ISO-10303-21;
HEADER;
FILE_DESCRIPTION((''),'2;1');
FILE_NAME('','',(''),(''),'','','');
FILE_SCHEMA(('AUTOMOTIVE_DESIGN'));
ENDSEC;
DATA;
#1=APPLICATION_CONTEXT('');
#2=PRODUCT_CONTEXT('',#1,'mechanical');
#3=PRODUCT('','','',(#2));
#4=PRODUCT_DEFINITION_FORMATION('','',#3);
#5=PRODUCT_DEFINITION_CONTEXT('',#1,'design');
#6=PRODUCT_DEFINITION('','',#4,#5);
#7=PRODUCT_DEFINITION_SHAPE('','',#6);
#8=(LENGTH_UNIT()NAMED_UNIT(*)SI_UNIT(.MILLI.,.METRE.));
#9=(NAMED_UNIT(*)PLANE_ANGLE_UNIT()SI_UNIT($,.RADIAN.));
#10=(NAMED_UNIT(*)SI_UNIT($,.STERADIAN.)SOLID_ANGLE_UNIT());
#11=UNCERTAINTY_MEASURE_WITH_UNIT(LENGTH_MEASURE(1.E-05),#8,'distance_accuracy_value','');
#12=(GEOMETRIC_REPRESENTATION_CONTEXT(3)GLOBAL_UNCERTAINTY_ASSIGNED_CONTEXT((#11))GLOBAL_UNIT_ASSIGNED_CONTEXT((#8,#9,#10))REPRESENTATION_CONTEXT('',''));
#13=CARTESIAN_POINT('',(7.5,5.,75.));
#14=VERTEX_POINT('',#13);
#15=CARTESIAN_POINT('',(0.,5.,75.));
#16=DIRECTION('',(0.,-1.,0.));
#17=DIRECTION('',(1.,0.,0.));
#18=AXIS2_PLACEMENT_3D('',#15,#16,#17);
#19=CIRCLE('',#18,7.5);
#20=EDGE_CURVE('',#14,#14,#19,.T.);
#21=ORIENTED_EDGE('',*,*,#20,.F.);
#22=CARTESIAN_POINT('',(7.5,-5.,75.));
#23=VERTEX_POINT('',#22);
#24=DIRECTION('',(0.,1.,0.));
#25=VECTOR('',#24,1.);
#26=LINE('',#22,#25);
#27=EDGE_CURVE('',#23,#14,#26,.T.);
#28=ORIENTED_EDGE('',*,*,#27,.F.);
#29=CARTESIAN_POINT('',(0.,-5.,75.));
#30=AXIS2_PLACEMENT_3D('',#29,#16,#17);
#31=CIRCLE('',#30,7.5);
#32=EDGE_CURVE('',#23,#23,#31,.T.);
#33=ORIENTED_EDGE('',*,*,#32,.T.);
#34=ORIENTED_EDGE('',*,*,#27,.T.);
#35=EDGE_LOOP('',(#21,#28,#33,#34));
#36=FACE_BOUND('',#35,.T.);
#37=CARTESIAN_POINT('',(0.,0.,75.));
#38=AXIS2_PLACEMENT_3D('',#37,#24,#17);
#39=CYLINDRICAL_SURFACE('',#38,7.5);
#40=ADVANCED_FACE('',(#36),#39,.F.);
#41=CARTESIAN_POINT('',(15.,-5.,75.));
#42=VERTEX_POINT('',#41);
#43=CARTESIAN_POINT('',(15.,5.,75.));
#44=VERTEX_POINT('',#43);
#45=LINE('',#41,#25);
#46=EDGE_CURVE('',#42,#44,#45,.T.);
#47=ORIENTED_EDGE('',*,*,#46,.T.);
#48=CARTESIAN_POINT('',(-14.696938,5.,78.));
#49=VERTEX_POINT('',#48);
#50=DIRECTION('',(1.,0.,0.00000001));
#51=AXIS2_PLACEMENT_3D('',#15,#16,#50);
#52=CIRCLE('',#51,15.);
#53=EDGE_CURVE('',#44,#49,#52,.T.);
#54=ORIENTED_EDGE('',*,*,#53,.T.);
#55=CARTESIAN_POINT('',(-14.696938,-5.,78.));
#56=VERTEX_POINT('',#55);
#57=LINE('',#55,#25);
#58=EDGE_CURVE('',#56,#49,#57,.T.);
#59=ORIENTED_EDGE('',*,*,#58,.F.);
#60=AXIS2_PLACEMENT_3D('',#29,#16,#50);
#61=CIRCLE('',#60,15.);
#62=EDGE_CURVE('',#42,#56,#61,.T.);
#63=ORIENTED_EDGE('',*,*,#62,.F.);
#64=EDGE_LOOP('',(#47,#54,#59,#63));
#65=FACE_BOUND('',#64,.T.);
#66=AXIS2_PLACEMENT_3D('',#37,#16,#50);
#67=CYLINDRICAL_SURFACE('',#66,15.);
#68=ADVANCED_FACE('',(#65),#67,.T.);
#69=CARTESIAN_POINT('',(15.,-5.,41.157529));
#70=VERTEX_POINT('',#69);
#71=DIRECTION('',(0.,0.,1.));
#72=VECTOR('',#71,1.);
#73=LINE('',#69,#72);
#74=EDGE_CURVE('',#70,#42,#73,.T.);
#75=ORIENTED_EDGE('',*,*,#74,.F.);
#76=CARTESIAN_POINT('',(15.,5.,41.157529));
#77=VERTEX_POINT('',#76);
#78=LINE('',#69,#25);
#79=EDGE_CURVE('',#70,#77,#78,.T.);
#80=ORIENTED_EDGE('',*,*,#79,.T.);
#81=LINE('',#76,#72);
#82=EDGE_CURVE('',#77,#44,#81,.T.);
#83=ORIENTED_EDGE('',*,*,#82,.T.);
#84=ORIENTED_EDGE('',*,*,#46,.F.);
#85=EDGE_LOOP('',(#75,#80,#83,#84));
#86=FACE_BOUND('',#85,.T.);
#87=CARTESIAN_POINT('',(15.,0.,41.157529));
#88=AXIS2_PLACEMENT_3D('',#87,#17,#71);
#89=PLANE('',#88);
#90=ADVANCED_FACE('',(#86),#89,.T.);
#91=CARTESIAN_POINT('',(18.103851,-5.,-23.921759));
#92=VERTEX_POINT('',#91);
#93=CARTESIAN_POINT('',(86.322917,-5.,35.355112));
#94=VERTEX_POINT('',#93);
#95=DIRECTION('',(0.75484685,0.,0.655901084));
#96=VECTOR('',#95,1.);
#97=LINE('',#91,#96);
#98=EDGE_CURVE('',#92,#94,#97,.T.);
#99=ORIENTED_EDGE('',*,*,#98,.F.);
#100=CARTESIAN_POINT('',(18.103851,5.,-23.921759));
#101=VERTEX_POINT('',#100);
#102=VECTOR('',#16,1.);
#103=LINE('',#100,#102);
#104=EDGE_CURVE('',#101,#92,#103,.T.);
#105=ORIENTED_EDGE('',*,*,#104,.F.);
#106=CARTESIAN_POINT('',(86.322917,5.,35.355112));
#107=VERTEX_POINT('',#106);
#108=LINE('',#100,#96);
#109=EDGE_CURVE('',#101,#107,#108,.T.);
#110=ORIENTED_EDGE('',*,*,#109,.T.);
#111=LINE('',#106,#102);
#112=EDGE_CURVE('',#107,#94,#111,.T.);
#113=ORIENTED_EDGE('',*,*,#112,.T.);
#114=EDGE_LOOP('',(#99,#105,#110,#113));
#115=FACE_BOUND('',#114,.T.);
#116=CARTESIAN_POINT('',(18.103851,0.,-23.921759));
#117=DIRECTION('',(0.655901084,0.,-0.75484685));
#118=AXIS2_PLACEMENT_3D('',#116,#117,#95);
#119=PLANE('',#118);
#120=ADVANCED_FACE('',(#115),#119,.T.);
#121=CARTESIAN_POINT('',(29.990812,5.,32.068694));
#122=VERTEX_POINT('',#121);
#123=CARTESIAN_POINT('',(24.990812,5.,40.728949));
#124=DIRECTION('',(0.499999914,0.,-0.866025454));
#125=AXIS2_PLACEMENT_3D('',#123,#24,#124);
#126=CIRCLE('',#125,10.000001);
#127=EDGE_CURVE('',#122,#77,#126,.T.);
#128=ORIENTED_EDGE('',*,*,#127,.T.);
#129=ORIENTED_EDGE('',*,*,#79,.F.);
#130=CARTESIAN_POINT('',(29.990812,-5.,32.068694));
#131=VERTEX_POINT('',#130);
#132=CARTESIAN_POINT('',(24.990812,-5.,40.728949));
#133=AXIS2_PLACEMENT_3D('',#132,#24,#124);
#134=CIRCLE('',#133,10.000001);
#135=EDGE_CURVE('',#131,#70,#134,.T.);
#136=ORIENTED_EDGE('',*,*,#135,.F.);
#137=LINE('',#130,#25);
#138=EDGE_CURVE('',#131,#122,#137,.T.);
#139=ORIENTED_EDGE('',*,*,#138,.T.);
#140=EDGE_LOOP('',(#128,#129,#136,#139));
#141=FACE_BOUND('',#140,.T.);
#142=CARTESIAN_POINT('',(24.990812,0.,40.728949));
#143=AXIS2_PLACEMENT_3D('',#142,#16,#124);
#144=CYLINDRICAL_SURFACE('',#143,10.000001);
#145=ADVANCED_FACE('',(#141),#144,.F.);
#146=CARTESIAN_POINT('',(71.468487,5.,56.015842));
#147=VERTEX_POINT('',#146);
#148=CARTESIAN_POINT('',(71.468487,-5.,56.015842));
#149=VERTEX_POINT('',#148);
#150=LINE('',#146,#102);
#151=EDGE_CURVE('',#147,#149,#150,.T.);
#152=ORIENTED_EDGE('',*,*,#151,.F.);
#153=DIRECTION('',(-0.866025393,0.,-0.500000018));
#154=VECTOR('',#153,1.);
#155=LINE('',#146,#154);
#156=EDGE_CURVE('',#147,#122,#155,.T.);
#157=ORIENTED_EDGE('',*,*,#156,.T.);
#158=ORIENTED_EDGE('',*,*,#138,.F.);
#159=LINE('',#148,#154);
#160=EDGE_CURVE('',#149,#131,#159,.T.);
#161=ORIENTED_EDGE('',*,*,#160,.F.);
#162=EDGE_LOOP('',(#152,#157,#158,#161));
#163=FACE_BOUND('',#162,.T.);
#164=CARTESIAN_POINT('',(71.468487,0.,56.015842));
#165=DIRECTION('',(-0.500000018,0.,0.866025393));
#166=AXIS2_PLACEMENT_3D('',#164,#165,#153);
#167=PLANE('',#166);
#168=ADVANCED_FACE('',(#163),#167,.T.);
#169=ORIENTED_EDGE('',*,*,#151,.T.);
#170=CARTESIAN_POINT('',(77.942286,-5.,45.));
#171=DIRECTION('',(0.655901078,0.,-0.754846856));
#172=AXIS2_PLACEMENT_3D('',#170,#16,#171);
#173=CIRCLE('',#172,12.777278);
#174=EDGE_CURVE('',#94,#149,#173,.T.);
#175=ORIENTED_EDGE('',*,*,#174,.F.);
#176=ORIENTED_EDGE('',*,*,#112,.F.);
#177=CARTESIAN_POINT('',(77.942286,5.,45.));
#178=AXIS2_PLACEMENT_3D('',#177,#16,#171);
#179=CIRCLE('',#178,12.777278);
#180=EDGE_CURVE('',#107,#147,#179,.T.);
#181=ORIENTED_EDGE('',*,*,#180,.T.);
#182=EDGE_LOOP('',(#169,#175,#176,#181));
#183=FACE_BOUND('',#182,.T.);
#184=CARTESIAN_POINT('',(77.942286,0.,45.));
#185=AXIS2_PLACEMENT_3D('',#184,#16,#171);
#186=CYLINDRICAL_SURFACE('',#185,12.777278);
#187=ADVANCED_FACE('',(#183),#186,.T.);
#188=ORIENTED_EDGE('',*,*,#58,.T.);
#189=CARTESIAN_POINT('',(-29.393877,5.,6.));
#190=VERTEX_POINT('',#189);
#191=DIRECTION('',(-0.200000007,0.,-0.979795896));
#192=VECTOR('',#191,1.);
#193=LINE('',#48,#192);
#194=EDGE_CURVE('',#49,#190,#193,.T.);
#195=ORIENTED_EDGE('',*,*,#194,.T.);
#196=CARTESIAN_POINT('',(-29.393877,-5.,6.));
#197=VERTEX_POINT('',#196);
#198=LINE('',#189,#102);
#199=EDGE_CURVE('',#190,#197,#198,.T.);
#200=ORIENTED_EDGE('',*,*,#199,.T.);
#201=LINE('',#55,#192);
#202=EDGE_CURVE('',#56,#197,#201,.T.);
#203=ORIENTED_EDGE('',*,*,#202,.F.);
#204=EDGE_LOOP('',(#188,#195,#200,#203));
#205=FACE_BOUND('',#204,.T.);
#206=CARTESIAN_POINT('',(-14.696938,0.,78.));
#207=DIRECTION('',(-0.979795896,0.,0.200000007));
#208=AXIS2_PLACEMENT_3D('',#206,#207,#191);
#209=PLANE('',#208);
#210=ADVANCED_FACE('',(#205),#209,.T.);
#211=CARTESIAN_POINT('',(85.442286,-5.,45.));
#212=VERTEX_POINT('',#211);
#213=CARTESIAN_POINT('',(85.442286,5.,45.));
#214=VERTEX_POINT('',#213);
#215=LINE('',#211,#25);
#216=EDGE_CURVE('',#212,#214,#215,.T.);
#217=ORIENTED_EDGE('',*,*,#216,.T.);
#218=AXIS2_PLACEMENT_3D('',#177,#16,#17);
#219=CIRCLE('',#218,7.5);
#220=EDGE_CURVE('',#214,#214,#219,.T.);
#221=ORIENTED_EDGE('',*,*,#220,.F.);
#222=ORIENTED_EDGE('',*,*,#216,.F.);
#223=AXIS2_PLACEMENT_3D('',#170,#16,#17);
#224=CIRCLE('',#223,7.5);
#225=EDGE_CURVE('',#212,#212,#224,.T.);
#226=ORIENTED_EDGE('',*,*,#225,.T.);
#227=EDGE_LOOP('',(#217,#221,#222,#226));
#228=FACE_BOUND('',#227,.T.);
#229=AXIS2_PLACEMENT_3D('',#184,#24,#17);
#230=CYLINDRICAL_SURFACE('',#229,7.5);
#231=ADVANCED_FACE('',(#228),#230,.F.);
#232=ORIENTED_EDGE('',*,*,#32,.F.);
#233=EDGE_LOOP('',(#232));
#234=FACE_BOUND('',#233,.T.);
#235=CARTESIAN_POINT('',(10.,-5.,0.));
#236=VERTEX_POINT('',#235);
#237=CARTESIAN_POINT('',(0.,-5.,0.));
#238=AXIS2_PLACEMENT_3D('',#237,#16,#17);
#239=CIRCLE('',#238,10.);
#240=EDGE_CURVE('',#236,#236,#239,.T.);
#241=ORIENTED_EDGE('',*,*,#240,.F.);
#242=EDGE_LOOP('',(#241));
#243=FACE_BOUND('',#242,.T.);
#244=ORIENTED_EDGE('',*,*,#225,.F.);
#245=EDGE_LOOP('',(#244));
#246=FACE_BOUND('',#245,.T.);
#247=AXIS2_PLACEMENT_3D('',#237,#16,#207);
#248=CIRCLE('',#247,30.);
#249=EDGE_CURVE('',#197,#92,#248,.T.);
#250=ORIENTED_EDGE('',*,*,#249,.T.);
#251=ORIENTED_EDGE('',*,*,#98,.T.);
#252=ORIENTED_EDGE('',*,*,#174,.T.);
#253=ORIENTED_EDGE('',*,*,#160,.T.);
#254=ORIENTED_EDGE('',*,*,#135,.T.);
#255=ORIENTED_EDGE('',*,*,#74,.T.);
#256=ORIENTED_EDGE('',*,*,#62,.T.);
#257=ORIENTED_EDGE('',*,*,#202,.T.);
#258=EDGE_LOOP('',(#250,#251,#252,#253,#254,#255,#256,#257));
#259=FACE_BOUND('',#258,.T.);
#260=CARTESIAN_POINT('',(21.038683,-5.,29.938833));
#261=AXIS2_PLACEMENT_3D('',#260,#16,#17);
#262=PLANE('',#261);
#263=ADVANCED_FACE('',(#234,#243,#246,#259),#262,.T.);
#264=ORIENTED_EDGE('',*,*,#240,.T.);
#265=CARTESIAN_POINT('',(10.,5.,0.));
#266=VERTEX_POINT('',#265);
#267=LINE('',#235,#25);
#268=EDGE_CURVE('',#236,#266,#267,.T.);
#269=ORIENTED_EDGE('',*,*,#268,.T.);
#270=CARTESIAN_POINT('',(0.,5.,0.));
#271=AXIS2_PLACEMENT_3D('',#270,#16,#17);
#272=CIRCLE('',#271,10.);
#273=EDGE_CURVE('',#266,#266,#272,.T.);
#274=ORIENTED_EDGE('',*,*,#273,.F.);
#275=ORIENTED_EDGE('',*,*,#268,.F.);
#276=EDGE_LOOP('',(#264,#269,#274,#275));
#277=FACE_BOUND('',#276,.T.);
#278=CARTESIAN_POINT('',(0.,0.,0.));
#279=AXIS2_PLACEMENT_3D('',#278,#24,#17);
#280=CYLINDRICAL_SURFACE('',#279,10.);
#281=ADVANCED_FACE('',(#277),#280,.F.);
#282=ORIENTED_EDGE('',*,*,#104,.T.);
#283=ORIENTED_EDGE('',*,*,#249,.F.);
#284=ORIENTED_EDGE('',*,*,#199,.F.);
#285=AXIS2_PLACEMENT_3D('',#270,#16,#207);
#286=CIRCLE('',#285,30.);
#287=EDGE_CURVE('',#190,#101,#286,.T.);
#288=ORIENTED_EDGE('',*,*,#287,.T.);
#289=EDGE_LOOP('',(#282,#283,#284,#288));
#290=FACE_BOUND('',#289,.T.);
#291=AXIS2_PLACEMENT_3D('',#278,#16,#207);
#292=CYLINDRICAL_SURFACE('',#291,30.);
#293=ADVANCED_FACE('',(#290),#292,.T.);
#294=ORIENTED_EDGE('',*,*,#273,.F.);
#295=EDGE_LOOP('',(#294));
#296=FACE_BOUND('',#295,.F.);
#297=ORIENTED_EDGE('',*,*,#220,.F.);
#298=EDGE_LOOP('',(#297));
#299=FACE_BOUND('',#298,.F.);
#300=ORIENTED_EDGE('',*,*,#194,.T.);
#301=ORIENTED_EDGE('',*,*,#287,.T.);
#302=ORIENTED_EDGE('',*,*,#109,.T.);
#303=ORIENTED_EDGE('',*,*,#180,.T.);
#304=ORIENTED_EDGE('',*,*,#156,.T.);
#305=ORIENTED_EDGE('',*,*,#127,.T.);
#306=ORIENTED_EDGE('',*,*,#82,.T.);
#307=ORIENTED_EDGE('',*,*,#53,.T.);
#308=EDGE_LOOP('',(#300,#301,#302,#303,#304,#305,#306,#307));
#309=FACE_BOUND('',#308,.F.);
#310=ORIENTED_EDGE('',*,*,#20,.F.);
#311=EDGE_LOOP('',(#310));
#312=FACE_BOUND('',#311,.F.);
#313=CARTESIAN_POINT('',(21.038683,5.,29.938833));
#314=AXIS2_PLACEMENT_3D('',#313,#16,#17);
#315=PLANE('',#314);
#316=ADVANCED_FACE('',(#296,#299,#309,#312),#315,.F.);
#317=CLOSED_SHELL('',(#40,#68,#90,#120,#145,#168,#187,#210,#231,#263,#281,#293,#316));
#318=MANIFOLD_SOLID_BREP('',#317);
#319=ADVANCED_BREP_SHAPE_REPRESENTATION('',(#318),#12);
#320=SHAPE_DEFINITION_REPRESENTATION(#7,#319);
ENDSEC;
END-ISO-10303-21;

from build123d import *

# Parameters (mm, degrees)
F0_R     = 10
F0_R_2   = 7.5
F1_DEPTH = 5


with BuildPart() as f1:
    # F0 (on Front) → F1 (new body, symmetric)
    with BuildSketch(Plane.XZ):
        with BuildLine():
            Line((-14.696938, 78), (-29.393877, 6))
            ThreePointArc((-29.393877, 6), (-15.990437, -25.383182), (18.103851, -23.921759))
            Line((18.103851, -23.921759), (86.322917, 35.355112))
            ThreePointArc((86.322917, 35.355112), (88.316555, 52.45878), (71.468487, 56.015842))
            Line((71.468487, 56.015842), (29.990812, 32.068694))
            ThreePointArc((29.990812, 32.068694), (19.806337, 32.177854), (15, 41.157529))
            Line((15, 41.157529), (15, 75))
            ThreePointArc((15, 75), (1.507634, 89.924042), (-14.696938, 78))
        make_face()
        Circle(F0_R, mode=Mode.SUBTRACT)
        with Locations((0, 75)):
            Circle(F0_R_2, mode=Mode.SUBTRACT)
        with Locations((77.942286, 45)):
            Circle(F0_R_2, mode=Mode.SUBTRACT)
    extrude(amount=F1_DEPTH, both=True)


solid = f1.part
